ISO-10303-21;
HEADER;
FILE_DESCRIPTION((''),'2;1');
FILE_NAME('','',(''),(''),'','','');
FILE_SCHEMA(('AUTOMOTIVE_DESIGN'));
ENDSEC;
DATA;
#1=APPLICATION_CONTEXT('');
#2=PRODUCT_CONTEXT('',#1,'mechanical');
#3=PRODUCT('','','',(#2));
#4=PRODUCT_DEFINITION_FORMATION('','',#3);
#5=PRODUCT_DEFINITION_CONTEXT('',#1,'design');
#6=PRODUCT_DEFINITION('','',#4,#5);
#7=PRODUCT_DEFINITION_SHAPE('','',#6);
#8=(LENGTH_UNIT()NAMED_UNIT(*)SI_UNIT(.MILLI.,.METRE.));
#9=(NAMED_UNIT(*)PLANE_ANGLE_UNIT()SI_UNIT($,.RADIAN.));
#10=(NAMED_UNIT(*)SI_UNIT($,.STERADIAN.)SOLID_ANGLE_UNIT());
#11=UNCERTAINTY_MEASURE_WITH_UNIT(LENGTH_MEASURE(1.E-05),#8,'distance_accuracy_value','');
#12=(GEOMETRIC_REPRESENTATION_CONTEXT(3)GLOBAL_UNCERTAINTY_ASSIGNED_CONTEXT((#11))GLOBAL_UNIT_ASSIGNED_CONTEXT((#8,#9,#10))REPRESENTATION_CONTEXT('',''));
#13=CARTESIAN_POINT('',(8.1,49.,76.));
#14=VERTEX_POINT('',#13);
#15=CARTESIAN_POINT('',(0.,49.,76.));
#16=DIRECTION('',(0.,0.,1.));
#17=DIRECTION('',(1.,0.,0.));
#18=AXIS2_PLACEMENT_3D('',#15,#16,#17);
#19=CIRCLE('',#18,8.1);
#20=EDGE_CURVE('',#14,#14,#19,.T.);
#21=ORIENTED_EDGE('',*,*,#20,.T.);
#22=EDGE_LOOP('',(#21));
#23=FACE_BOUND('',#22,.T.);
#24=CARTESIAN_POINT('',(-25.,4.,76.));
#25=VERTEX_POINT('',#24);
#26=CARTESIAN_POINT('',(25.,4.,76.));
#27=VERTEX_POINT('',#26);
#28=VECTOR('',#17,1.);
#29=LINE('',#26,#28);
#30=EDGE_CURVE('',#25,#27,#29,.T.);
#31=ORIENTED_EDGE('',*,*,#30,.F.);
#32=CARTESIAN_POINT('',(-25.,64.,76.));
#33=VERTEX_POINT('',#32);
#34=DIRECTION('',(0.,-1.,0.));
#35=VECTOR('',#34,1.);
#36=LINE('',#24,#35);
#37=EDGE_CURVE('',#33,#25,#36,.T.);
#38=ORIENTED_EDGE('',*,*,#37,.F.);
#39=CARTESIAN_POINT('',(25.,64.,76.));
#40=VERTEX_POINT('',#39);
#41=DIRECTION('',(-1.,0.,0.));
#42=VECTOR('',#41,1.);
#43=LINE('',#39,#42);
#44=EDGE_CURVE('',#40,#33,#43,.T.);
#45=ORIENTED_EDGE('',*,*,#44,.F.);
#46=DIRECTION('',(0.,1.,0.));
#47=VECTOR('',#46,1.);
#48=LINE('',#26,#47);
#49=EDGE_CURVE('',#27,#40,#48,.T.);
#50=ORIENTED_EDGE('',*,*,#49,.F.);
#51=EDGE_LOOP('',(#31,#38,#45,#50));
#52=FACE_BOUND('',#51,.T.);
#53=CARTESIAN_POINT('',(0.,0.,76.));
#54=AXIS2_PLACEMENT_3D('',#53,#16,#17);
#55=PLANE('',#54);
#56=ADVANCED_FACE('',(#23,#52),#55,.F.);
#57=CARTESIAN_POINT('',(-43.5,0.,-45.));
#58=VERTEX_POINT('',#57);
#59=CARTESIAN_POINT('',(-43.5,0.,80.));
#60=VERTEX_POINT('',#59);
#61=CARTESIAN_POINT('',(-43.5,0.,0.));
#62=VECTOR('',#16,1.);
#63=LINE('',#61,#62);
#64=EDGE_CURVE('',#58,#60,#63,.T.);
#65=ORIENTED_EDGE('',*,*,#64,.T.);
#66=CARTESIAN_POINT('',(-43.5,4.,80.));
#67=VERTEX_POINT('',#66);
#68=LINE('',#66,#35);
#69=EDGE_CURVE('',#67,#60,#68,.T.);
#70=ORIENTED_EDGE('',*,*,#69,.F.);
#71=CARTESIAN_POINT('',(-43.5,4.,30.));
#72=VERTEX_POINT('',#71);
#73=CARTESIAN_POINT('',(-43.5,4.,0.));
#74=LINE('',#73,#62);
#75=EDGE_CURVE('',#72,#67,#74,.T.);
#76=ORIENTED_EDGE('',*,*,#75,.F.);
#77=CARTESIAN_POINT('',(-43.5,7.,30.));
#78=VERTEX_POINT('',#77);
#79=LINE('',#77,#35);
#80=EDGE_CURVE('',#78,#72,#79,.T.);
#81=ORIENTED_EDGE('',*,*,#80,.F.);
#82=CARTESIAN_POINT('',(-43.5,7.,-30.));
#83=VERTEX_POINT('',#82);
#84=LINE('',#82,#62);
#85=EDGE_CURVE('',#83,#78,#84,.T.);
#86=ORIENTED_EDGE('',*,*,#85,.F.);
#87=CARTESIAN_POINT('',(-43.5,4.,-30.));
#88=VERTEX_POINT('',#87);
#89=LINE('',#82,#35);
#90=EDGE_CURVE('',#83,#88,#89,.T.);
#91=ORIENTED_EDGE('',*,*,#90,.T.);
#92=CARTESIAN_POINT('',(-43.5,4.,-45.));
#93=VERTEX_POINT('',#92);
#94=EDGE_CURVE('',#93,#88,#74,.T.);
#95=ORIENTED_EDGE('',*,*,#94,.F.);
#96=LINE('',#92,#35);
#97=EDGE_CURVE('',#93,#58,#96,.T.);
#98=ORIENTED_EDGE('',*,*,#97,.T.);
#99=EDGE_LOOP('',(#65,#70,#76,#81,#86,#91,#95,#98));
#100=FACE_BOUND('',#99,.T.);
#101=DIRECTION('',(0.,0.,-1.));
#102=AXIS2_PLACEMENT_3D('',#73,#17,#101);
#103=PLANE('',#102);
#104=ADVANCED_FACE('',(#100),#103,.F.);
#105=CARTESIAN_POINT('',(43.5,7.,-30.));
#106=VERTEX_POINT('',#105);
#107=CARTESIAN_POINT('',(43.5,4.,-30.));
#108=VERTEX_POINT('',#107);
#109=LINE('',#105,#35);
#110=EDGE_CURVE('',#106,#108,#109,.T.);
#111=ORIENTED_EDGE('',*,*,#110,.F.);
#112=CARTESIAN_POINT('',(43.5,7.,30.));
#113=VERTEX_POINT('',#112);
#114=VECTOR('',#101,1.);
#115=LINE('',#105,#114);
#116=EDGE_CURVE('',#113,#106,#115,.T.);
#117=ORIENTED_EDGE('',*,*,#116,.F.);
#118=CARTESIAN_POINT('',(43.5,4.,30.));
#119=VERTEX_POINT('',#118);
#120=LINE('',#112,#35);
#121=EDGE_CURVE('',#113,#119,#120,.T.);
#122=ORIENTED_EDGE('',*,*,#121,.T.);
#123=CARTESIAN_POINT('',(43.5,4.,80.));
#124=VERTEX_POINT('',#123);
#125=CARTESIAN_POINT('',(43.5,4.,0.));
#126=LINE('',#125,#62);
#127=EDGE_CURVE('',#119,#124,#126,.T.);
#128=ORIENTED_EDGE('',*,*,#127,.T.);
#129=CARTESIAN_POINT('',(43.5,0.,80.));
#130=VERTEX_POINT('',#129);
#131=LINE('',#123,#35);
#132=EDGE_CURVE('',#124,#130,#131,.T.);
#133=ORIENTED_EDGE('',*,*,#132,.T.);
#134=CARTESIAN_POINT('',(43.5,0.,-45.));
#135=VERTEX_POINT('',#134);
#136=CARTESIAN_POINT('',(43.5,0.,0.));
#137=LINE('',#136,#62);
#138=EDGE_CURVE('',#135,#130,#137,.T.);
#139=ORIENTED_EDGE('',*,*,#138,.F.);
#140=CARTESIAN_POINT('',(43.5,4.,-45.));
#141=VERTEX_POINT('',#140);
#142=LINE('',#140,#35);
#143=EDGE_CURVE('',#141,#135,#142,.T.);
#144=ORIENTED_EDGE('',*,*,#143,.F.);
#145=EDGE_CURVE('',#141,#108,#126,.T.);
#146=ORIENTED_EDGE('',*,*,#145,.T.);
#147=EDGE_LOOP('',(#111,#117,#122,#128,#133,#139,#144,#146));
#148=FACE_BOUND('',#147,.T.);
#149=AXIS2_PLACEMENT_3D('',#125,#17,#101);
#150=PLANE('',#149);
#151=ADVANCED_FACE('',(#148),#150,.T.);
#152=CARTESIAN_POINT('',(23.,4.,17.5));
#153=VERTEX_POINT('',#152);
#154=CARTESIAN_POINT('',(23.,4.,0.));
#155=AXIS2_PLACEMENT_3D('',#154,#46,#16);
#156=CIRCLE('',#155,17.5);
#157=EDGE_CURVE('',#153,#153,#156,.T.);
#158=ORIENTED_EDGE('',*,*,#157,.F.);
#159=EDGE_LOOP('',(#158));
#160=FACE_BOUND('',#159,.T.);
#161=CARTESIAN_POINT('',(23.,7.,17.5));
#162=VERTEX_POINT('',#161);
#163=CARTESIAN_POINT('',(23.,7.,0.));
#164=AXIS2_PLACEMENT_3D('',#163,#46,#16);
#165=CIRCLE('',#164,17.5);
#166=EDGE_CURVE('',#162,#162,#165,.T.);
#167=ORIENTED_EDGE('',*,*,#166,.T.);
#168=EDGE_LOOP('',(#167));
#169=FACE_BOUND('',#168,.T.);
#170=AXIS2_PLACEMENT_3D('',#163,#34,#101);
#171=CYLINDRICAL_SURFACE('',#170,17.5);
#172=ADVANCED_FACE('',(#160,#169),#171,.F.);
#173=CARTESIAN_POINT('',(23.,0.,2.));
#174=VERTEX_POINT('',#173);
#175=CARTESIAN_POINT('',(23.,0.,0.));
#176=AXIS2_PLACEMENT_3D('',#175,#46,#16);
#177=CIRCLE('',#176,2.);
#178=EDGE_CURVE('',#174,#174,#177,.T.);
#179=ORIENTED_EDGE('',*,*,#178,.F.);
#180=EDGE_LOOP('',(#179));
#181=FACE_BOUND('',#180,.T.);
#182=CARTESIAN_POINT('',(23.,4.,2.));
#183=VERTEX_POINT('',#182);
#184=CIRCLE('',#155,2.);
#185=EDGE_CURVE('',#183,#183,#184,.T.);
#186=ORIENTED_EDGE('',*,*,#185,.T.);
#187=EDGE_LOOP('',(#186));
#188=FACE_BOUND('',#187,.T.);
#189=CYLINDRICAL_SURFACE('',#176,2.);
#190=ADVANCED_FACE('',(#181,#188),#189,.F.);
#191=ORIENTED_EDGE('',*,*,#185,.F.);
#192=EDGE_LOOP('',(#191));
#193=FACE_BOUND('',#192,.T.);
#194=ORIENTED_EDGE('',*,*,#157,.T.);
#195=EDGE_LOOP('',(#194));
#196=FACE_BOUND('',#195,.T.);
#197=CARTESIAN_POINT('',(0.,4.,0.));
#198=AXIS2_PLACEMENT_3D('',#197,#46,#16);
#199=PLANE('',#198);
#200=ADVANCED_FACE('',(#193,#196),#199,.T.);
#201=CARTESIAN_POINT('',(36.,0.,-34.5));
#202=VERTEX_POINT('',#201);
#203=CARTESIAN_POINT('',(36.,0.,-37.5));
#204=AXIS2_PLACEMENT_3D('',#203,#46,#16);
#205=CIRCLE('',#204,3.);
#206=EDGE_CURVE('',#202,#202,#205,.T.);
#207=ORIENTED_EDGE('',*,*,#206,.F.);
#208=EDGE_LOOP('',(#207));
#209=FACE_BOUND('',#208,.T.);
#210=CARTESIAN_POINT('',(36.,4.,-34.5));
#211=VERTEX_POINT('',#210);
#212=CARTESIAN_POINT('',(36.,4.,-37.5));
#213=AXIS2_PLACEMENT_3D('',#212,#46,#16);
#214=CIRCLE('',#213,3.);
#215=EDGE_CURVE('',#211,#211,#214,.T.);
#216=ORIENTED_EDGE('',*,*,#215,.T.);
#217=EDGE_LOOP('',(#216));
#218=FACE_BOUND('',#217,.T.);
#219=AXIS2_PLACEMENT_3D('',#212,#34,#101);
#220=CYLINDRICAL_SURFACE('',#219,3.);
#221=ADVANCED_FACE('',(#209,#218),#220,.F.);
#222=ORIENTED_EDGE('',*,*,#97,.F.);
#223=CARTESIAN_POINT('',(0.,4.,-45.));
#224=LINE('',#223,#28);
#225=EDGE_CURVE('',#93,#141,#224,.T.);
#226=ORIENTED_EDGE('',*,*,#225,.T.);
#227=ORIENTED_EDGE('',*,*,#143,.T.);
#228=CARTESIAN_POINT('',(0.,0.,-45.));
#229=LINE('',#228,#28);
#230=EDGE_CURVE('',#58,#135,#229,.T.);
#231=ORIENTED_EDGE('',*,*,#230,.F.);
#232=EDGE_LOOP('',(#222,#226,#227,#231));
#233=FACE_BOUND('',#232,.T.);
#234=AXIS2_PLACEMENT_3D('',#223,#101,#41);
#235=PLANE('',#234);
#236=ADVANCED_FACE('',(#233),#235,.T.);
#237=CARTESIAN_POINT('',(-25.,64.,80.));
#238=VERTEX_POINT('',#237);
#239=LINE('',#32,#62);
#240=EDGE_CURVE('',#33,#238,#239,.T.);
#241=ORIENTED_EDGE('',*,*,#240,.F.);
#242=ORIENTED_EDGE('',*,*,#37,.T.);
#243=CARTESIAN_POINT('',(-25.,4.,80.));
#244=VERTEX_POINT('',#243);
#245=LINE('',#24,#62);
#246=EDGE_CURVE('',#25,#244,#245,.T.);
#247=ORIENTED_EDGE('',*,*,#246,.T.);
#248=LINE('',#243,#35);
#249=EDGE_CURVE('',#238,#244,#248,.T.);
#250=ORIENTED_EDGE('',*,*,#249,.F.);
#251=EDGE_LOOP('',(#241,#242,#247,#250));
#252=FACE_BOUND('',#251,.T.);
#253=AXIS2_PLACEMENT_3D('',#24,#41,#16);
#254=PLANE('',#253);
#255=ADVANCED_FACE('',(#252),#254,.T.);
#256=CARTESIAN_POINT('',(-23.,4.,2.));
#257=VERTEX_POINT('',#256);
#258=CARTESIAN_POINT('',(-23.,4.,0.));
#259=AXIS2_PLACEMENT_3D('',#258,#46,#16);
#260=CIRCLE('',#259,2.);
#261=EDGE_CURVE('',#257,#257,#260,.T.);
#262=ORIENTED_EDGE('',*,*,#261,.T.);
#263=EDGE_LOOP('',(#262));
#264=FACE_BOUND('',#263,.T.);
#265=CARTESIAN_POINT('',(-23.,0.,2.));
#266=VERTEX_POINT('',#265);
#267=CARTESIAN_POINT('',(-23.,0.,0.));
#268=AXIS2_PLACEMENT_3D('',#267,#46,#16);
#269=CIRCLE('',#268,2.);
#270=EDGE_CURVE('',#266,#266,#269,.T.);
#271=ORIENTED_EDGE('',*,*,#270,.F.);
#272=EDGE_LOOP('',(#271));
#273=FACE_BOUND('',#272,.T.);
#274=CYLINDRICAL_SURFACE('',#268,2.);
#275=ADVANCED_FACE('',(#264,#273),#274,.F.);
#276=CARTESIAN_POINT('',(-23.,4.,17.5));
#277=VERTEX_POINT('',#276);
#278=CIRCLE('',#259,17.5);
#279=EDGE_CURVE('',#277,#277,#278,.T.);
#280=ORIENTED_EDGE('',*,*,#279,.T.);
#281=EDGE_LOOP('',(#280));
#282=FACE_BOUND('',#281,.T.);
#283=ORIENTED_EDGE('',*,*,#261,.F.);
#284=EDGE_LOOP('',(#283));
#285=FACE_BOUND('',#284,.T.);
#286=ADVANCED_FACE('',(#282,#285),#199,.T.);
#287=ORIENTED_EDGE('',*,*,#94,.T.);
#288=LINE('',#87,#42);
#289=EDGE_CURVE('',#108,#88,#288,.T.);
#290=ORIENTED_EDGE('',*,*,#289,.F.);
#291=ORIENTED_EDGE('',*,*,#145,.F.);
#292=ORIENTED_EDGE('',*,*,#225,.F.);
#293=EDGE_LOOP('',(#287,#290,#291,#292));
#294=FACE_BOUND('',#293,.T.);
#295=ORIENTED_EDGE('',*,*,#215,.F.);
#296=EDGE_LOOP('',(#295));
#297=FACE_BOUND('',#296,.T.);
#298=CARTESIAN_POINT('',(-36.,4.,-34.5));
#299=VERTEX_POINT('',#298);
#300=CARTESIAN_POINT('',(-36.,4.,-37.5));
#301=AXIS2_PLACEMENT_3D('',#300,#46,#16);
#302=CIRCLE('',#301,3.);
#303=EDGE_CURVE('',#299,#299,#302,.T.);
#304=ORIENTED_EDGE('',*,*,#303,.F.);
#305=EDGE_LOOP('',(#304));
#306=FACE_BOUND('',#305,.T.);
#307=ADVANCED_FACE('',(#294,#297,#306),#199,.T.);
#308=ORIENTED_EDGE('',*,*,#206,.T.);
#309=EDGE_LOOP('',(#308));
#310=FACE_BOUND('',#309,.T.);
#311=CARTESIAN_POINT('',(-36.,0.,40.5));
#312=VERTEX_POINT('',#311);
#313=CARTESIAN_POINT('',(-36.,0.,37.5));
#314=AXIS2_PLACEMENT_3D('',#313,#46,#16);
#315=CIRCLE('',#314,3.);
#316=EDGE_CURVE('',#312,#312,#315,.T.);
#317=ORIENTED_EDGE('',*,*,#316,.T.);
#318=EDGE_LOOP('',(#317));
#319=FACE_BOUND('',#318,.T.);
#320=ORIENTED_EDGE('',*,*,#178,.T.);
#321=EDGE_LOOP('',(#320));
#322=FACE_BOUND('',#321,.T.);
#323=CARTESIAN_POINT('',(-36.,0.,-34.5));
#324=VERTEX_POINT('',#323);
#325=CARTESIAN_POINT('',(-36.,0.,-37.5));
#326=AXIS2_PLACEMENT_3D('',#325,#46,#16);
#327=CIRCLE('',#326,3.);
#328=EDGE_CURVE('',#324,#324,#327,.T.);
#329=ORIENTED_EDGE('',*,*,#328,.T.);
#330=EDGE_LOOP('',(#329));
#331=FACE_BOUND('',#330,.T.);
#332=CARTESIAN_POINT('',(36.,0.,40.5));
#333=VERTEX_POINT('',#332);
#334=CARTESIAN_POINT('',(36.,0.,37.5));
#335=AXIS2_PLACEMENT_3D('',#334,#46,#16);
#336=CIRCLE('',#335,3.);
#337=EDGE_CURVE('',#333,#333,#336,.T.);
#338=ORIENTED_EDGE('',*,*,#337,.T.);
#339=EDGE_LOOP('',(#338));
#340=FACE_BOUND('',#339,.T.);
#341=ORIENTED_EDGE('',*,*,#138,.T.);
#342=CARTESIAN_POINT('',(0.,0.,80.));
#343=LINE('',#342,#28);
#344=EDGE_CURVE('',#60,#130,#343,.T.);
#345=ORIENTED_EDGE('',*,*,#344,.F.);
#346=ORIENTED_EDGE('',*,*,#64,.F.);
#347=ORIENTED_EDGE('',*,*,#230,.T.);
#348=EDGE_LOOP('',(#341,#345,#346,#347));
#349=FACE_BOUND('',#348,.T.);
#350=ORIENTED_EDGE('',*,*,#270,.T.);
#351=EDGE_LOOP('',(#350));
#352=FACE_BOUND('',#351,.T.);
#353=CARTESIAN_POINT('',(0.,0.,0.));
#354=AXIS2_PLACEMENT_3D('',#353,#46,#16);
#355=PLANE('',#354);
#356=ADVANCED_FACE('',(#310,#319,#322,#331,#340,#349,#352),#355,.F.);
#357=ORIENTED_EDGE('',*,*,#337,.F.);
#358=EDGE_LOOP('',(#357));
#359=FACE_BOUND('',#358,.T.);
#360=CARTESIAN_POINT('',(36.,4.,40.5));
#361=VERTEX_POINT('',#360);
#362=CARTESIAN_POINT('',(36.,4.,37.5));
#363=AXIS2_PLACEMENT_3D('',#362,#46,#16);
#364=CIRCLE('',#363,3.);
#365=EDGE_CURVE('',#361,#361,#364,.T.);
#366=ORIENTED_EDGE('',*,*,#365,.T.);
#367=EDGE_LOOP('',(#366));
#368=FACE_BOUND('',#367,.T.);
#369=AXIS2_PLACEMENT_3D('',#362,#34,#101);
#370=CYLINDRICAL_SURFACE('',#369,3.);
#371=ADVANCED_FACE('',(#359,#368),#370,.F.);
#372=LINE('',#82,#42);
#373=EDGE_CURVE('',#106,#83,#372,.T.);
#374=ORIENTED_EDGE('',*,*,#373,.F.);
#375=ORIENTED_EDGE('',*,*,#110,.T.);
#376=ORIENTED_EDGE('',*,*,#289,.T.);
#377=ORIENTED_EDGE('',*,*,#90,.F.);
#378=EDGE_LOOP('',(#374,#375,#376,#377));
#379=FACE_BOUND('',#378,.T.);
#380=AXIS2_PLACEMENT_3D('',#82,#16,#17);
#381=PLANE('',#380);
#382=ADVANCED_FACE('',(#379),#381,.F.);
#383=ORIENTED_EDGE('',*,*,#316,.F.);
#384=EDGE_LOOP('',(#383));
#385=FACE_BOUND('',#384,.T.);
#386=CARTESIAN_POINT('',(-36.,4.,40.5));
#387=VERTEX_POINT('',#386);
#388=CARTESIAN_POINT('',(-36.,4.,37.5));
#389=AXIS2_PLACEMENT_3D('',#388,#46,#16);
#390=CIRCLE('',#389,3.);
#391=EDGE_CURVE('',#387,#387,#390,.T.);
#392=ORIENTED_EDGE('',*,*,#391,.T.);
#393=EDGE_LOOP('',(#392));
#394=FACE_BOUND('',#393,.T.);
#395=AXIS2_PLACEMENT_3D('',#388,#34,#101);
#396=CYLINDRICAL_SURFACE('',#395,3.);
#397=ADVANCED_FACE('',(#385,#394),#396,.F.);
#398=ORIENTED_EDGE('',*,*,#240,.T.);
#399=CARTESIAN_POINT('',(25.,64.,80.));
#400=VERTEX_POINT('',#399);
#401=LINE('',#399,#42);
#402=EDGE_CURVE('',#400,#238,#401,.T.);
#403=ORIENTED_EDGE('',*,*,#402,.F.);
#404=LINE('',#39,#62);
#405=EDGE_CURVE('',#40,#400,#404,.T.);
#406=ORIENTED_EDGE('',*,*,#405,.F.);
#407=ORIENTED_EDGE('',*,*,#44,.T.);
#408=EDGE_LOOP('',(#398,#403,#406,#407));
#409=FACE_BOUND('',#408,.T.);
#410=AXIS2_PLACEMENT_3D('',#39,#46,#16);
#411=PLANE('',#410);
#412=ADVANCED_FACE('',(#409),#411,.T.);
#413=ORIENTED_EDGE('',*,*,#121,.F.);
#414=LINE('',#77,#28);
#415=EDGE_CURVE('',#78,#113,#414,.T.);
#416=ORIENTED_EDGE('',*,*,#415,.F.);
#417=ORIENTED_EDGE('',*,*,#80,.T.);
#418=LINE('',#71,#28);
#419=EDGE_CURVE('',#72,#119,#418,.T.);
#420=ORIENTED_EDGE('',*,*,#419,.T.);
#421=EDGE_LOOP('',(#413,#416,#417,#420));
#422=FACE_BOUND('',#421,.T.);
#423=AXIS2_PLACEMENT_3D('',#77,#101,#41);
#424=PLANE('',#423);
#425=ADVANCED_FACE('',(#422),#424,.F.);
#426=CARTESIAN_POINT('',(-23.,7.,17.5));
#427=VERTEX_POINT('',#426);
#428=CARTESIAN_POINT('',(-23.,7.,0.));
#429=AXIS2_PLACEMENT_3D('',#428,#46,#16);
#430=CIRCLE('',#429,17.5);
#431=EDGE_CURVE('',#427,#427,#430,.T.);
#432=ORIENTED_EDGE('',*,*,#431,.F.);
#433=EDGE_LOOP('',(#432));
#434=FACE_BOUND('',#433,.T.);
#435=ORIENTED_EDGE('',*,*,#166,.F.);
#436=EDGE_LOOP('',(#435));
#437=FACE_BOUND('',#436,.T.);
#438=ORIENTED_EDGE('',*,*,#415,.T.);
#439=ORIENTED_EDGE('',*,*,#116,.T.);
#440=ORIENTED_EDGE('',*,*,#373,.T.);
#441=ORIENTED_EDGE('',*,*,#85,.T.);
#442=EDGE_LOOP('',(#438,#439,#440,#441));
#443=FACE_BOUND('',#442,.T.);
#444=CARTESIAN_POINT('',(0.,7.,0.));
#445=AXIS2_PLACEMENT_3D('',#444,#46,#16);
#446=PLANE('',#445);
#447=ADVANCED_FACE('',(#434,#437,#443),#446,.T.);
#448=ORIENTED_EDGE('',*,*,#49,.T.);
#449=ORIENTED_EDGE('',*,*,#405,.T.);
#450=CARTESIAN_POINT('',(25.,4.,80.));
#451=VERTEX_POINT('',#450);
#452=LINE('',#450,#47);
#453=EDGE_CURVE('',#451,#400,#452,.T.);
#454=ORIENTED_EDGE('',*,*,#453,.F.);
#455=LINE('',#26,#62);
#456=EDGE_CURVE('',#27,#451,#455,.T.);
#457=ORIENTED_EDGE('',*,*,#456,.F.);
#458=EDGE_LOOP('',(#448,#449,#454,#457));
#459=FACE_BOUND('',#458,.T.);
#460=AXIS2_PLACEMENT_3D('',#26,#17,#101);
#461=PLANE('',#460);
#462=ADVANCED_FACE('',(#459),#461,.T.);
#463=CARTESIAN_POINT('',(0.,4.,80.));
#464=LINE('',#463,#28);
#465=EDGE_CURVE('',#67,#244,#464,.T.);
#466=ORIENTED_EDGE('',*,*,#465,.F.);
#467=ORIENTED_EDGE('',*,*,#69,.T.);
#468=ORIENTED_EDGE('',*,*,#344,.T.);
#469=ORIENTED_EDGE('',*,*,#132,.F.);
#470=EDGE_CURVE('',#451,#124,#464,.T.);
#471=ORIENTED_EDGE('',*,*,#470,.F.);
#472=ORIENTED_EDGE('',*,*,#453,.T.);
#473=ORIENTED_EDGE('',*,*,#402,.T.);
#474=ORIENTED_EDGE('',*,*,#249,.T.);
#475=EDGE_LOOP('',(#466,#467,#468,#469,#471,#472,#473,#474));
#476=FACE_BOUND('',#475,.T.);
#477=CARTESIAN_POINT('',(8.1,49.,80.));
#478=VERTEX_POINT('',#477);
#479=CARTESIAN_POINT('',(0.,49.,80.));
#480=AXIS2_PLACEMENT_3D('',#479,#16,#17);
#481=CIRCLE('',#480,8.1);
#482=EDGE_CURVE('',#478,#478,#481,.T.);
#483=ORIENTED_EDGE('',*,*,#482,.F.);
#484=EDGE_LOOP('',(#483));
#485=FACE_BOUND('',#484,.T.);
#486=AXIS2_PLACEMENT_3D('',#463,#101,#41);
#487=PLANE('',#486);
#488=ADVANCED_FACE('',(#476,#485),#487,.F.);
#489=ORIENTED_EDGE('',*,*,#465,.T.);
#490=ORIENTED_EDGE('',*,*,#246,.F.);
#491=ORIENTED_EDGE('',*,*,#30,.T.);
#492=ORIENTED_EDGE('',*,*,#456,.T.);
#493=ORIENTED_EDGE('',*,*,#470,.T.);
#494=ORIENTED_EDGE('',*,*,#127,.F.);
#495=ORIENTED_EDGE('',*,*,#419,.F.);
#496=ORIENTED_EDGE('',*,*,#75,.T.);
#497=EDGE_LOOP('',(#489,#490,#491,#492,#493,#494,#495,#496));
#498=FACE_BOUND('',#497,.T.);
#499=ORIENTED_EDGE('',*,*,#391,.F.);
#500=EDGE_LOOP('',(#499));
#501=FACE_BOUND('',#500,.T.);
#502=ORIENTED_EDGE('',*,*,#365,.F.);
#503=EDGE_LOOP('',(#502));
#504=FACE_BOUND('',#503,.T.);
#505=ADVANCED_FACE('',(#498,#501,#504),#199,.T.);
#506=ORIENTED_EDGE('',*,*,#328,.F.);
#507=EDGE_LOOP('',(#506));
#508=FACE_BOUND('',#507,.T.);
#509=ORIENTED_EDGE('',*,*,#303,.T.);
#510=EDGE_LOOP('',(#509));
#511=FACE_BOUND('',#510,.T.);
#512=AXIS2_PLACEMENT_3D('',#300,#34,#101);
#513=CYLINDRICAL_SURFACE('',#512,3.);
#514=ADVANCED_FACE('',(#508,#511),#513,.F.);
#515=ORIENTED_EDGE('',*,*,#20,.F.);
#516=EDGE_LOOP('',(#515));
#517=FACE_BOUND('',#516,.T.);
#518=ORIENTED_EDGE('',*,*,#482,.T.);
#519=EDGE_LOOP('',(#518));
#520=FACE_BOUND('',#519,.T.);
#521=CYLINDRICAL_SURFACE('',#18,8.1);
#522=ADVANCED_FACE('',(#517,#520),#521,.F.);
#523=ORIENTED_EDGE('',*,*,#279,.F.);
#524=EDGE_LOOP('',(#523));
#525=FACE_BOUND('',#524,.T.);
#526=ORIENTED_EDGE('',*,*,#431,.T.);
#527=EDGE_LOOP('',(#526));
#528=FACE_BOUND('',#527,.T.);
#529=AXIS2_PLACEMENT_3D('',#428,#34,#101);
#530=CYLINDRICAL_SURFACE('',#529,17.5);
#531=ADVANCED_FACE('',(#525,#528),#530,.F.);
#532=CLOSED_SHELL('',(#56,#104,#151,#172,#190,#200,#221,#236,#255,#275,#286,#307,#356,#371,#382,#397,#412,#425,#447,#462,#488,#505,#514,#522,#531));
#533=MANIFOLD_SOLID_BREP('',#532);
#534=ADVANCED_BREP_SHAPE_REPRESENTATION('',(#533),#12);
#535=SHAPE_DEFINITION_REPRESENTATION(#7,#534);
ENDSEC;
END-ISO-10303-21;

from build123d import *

# Parameters (mm, degrees)
SKETCH_1_W          = 87
SKETCH_1_H          = 90
SKETCH_1_R          = 3
SKETCH_1_H_2        = 35
EXTRUDE_1_DEPTH     = 4
SKETCH_3_W          = 87
SKETCH_3_H          = 60
SKETCH_3_R          = 17.5
EXTRUDE_2_DEPTH     = 3
SKETCH_4_R          = 2
CUT_EXTRUDE_1_DEPTH = 92.149602303
SKETCH_5_W          = 50
SKETCH_5_H          = 60
SKETCH_5_R          = 8.1
EXTRUDE_3_DEPTH     = 4


with BuildPart() as part:
    # 草图1 → 凸台-拉伸1 (new body)
    # profile 1 of 2: a face of its own
    with BuildSketch(Plane(origin=(0, 0, 0), x_dir=(1, 0, 0), z_dir=(0, 1, 0))):
        Rectangle(SKETCH_1_W, SKETCH_1_H)
        with Locations(Location((36, 37.5, 0), (0, 0, 270))):
            Circle(SKETCH_1_R, mode=Mode.SUBTRACT)
        with Locations(Location((-36, 37.5, 0), (0, 0, 270))):
            Circle(SKETCH_1_R, mode=Mode.SUBTRACT)
        with Locations(Location((36, -37.5, 0), (0, 0, 270))):
            Circle(SKETCH_1_R, mode=Mode.SUBTRACT)
        with Locations(Location((-36, -37.5, 0), (0, 0, 270))):
            Circle(SKETCH_1_R, mode=Mode.SUBTRACT)
    # profile 2 of 2: a face of its own
    with BuildSketch(Plane(origin=(0, 0, 0), x_dir=(1, 0, 0), z_dir=(0, 1, 0))):
        with Locations((0, -62.5)):
            Rectangle(SKETCH_1_W, SKETCH_1_H_2)
    extrude(amount=EXTRUDE_1_DEPTH)

    # 草图3 → 凸台-拉伸2 (add)
    with BuildSketch(Plane(origin=(0, 4, 0), x_dir=(1, 0, 0), z_dir=(0, 1, 0))):
        Rectangle(SKETCH_3_W, SKETCH_3_H)
        with Locations(Location((-23, 0, 0), (0, 0, 270))):
            Circle(SKETCH_3_R, mode=Mode.SUBTRACT)
        with Locations(Location((23, 0, 0), (0, 0, 270))):
            Circle(SKETCH_3_R, mode=Mode.SUBTRACT)
    extrude(amount=EXTRUDE_2_DEPTH)

    # 草图4 → 切除-拉伸1 (cut, through all)
    with BuildSketch(Plane(origin=(0, 4, 0), x_dir=(1, 0, 0), z_dir=(0, 1, 0))):
        with Locations(Location((23, 0, 0), (0, 0, 270))):
            Circle(SKETCH_4_R)
        with Locations(Location((-23, 0, 0), (0, 0, 270))):
            Circle(SKETCH_4_R)
    extrude(amount=-CUT_EXTRUDE_1_DEPTH, mode=Mode.SUBTRACT)

    # 草图5 → 凸台-拉伸3 (add)
    with BuildSketch(Plane.XY.offset(80)):
        with Locations((0, 34)):
            Rectangle(SKETCH_5_W, SKETCH_5_H)
        with Locations((0, 49)):
            Circle(SKETCH_5_R, mode=Mode.SUBTRACT)
    extrude(amount=-EXTRUDE_3_DEPTH)


solid = part.part
